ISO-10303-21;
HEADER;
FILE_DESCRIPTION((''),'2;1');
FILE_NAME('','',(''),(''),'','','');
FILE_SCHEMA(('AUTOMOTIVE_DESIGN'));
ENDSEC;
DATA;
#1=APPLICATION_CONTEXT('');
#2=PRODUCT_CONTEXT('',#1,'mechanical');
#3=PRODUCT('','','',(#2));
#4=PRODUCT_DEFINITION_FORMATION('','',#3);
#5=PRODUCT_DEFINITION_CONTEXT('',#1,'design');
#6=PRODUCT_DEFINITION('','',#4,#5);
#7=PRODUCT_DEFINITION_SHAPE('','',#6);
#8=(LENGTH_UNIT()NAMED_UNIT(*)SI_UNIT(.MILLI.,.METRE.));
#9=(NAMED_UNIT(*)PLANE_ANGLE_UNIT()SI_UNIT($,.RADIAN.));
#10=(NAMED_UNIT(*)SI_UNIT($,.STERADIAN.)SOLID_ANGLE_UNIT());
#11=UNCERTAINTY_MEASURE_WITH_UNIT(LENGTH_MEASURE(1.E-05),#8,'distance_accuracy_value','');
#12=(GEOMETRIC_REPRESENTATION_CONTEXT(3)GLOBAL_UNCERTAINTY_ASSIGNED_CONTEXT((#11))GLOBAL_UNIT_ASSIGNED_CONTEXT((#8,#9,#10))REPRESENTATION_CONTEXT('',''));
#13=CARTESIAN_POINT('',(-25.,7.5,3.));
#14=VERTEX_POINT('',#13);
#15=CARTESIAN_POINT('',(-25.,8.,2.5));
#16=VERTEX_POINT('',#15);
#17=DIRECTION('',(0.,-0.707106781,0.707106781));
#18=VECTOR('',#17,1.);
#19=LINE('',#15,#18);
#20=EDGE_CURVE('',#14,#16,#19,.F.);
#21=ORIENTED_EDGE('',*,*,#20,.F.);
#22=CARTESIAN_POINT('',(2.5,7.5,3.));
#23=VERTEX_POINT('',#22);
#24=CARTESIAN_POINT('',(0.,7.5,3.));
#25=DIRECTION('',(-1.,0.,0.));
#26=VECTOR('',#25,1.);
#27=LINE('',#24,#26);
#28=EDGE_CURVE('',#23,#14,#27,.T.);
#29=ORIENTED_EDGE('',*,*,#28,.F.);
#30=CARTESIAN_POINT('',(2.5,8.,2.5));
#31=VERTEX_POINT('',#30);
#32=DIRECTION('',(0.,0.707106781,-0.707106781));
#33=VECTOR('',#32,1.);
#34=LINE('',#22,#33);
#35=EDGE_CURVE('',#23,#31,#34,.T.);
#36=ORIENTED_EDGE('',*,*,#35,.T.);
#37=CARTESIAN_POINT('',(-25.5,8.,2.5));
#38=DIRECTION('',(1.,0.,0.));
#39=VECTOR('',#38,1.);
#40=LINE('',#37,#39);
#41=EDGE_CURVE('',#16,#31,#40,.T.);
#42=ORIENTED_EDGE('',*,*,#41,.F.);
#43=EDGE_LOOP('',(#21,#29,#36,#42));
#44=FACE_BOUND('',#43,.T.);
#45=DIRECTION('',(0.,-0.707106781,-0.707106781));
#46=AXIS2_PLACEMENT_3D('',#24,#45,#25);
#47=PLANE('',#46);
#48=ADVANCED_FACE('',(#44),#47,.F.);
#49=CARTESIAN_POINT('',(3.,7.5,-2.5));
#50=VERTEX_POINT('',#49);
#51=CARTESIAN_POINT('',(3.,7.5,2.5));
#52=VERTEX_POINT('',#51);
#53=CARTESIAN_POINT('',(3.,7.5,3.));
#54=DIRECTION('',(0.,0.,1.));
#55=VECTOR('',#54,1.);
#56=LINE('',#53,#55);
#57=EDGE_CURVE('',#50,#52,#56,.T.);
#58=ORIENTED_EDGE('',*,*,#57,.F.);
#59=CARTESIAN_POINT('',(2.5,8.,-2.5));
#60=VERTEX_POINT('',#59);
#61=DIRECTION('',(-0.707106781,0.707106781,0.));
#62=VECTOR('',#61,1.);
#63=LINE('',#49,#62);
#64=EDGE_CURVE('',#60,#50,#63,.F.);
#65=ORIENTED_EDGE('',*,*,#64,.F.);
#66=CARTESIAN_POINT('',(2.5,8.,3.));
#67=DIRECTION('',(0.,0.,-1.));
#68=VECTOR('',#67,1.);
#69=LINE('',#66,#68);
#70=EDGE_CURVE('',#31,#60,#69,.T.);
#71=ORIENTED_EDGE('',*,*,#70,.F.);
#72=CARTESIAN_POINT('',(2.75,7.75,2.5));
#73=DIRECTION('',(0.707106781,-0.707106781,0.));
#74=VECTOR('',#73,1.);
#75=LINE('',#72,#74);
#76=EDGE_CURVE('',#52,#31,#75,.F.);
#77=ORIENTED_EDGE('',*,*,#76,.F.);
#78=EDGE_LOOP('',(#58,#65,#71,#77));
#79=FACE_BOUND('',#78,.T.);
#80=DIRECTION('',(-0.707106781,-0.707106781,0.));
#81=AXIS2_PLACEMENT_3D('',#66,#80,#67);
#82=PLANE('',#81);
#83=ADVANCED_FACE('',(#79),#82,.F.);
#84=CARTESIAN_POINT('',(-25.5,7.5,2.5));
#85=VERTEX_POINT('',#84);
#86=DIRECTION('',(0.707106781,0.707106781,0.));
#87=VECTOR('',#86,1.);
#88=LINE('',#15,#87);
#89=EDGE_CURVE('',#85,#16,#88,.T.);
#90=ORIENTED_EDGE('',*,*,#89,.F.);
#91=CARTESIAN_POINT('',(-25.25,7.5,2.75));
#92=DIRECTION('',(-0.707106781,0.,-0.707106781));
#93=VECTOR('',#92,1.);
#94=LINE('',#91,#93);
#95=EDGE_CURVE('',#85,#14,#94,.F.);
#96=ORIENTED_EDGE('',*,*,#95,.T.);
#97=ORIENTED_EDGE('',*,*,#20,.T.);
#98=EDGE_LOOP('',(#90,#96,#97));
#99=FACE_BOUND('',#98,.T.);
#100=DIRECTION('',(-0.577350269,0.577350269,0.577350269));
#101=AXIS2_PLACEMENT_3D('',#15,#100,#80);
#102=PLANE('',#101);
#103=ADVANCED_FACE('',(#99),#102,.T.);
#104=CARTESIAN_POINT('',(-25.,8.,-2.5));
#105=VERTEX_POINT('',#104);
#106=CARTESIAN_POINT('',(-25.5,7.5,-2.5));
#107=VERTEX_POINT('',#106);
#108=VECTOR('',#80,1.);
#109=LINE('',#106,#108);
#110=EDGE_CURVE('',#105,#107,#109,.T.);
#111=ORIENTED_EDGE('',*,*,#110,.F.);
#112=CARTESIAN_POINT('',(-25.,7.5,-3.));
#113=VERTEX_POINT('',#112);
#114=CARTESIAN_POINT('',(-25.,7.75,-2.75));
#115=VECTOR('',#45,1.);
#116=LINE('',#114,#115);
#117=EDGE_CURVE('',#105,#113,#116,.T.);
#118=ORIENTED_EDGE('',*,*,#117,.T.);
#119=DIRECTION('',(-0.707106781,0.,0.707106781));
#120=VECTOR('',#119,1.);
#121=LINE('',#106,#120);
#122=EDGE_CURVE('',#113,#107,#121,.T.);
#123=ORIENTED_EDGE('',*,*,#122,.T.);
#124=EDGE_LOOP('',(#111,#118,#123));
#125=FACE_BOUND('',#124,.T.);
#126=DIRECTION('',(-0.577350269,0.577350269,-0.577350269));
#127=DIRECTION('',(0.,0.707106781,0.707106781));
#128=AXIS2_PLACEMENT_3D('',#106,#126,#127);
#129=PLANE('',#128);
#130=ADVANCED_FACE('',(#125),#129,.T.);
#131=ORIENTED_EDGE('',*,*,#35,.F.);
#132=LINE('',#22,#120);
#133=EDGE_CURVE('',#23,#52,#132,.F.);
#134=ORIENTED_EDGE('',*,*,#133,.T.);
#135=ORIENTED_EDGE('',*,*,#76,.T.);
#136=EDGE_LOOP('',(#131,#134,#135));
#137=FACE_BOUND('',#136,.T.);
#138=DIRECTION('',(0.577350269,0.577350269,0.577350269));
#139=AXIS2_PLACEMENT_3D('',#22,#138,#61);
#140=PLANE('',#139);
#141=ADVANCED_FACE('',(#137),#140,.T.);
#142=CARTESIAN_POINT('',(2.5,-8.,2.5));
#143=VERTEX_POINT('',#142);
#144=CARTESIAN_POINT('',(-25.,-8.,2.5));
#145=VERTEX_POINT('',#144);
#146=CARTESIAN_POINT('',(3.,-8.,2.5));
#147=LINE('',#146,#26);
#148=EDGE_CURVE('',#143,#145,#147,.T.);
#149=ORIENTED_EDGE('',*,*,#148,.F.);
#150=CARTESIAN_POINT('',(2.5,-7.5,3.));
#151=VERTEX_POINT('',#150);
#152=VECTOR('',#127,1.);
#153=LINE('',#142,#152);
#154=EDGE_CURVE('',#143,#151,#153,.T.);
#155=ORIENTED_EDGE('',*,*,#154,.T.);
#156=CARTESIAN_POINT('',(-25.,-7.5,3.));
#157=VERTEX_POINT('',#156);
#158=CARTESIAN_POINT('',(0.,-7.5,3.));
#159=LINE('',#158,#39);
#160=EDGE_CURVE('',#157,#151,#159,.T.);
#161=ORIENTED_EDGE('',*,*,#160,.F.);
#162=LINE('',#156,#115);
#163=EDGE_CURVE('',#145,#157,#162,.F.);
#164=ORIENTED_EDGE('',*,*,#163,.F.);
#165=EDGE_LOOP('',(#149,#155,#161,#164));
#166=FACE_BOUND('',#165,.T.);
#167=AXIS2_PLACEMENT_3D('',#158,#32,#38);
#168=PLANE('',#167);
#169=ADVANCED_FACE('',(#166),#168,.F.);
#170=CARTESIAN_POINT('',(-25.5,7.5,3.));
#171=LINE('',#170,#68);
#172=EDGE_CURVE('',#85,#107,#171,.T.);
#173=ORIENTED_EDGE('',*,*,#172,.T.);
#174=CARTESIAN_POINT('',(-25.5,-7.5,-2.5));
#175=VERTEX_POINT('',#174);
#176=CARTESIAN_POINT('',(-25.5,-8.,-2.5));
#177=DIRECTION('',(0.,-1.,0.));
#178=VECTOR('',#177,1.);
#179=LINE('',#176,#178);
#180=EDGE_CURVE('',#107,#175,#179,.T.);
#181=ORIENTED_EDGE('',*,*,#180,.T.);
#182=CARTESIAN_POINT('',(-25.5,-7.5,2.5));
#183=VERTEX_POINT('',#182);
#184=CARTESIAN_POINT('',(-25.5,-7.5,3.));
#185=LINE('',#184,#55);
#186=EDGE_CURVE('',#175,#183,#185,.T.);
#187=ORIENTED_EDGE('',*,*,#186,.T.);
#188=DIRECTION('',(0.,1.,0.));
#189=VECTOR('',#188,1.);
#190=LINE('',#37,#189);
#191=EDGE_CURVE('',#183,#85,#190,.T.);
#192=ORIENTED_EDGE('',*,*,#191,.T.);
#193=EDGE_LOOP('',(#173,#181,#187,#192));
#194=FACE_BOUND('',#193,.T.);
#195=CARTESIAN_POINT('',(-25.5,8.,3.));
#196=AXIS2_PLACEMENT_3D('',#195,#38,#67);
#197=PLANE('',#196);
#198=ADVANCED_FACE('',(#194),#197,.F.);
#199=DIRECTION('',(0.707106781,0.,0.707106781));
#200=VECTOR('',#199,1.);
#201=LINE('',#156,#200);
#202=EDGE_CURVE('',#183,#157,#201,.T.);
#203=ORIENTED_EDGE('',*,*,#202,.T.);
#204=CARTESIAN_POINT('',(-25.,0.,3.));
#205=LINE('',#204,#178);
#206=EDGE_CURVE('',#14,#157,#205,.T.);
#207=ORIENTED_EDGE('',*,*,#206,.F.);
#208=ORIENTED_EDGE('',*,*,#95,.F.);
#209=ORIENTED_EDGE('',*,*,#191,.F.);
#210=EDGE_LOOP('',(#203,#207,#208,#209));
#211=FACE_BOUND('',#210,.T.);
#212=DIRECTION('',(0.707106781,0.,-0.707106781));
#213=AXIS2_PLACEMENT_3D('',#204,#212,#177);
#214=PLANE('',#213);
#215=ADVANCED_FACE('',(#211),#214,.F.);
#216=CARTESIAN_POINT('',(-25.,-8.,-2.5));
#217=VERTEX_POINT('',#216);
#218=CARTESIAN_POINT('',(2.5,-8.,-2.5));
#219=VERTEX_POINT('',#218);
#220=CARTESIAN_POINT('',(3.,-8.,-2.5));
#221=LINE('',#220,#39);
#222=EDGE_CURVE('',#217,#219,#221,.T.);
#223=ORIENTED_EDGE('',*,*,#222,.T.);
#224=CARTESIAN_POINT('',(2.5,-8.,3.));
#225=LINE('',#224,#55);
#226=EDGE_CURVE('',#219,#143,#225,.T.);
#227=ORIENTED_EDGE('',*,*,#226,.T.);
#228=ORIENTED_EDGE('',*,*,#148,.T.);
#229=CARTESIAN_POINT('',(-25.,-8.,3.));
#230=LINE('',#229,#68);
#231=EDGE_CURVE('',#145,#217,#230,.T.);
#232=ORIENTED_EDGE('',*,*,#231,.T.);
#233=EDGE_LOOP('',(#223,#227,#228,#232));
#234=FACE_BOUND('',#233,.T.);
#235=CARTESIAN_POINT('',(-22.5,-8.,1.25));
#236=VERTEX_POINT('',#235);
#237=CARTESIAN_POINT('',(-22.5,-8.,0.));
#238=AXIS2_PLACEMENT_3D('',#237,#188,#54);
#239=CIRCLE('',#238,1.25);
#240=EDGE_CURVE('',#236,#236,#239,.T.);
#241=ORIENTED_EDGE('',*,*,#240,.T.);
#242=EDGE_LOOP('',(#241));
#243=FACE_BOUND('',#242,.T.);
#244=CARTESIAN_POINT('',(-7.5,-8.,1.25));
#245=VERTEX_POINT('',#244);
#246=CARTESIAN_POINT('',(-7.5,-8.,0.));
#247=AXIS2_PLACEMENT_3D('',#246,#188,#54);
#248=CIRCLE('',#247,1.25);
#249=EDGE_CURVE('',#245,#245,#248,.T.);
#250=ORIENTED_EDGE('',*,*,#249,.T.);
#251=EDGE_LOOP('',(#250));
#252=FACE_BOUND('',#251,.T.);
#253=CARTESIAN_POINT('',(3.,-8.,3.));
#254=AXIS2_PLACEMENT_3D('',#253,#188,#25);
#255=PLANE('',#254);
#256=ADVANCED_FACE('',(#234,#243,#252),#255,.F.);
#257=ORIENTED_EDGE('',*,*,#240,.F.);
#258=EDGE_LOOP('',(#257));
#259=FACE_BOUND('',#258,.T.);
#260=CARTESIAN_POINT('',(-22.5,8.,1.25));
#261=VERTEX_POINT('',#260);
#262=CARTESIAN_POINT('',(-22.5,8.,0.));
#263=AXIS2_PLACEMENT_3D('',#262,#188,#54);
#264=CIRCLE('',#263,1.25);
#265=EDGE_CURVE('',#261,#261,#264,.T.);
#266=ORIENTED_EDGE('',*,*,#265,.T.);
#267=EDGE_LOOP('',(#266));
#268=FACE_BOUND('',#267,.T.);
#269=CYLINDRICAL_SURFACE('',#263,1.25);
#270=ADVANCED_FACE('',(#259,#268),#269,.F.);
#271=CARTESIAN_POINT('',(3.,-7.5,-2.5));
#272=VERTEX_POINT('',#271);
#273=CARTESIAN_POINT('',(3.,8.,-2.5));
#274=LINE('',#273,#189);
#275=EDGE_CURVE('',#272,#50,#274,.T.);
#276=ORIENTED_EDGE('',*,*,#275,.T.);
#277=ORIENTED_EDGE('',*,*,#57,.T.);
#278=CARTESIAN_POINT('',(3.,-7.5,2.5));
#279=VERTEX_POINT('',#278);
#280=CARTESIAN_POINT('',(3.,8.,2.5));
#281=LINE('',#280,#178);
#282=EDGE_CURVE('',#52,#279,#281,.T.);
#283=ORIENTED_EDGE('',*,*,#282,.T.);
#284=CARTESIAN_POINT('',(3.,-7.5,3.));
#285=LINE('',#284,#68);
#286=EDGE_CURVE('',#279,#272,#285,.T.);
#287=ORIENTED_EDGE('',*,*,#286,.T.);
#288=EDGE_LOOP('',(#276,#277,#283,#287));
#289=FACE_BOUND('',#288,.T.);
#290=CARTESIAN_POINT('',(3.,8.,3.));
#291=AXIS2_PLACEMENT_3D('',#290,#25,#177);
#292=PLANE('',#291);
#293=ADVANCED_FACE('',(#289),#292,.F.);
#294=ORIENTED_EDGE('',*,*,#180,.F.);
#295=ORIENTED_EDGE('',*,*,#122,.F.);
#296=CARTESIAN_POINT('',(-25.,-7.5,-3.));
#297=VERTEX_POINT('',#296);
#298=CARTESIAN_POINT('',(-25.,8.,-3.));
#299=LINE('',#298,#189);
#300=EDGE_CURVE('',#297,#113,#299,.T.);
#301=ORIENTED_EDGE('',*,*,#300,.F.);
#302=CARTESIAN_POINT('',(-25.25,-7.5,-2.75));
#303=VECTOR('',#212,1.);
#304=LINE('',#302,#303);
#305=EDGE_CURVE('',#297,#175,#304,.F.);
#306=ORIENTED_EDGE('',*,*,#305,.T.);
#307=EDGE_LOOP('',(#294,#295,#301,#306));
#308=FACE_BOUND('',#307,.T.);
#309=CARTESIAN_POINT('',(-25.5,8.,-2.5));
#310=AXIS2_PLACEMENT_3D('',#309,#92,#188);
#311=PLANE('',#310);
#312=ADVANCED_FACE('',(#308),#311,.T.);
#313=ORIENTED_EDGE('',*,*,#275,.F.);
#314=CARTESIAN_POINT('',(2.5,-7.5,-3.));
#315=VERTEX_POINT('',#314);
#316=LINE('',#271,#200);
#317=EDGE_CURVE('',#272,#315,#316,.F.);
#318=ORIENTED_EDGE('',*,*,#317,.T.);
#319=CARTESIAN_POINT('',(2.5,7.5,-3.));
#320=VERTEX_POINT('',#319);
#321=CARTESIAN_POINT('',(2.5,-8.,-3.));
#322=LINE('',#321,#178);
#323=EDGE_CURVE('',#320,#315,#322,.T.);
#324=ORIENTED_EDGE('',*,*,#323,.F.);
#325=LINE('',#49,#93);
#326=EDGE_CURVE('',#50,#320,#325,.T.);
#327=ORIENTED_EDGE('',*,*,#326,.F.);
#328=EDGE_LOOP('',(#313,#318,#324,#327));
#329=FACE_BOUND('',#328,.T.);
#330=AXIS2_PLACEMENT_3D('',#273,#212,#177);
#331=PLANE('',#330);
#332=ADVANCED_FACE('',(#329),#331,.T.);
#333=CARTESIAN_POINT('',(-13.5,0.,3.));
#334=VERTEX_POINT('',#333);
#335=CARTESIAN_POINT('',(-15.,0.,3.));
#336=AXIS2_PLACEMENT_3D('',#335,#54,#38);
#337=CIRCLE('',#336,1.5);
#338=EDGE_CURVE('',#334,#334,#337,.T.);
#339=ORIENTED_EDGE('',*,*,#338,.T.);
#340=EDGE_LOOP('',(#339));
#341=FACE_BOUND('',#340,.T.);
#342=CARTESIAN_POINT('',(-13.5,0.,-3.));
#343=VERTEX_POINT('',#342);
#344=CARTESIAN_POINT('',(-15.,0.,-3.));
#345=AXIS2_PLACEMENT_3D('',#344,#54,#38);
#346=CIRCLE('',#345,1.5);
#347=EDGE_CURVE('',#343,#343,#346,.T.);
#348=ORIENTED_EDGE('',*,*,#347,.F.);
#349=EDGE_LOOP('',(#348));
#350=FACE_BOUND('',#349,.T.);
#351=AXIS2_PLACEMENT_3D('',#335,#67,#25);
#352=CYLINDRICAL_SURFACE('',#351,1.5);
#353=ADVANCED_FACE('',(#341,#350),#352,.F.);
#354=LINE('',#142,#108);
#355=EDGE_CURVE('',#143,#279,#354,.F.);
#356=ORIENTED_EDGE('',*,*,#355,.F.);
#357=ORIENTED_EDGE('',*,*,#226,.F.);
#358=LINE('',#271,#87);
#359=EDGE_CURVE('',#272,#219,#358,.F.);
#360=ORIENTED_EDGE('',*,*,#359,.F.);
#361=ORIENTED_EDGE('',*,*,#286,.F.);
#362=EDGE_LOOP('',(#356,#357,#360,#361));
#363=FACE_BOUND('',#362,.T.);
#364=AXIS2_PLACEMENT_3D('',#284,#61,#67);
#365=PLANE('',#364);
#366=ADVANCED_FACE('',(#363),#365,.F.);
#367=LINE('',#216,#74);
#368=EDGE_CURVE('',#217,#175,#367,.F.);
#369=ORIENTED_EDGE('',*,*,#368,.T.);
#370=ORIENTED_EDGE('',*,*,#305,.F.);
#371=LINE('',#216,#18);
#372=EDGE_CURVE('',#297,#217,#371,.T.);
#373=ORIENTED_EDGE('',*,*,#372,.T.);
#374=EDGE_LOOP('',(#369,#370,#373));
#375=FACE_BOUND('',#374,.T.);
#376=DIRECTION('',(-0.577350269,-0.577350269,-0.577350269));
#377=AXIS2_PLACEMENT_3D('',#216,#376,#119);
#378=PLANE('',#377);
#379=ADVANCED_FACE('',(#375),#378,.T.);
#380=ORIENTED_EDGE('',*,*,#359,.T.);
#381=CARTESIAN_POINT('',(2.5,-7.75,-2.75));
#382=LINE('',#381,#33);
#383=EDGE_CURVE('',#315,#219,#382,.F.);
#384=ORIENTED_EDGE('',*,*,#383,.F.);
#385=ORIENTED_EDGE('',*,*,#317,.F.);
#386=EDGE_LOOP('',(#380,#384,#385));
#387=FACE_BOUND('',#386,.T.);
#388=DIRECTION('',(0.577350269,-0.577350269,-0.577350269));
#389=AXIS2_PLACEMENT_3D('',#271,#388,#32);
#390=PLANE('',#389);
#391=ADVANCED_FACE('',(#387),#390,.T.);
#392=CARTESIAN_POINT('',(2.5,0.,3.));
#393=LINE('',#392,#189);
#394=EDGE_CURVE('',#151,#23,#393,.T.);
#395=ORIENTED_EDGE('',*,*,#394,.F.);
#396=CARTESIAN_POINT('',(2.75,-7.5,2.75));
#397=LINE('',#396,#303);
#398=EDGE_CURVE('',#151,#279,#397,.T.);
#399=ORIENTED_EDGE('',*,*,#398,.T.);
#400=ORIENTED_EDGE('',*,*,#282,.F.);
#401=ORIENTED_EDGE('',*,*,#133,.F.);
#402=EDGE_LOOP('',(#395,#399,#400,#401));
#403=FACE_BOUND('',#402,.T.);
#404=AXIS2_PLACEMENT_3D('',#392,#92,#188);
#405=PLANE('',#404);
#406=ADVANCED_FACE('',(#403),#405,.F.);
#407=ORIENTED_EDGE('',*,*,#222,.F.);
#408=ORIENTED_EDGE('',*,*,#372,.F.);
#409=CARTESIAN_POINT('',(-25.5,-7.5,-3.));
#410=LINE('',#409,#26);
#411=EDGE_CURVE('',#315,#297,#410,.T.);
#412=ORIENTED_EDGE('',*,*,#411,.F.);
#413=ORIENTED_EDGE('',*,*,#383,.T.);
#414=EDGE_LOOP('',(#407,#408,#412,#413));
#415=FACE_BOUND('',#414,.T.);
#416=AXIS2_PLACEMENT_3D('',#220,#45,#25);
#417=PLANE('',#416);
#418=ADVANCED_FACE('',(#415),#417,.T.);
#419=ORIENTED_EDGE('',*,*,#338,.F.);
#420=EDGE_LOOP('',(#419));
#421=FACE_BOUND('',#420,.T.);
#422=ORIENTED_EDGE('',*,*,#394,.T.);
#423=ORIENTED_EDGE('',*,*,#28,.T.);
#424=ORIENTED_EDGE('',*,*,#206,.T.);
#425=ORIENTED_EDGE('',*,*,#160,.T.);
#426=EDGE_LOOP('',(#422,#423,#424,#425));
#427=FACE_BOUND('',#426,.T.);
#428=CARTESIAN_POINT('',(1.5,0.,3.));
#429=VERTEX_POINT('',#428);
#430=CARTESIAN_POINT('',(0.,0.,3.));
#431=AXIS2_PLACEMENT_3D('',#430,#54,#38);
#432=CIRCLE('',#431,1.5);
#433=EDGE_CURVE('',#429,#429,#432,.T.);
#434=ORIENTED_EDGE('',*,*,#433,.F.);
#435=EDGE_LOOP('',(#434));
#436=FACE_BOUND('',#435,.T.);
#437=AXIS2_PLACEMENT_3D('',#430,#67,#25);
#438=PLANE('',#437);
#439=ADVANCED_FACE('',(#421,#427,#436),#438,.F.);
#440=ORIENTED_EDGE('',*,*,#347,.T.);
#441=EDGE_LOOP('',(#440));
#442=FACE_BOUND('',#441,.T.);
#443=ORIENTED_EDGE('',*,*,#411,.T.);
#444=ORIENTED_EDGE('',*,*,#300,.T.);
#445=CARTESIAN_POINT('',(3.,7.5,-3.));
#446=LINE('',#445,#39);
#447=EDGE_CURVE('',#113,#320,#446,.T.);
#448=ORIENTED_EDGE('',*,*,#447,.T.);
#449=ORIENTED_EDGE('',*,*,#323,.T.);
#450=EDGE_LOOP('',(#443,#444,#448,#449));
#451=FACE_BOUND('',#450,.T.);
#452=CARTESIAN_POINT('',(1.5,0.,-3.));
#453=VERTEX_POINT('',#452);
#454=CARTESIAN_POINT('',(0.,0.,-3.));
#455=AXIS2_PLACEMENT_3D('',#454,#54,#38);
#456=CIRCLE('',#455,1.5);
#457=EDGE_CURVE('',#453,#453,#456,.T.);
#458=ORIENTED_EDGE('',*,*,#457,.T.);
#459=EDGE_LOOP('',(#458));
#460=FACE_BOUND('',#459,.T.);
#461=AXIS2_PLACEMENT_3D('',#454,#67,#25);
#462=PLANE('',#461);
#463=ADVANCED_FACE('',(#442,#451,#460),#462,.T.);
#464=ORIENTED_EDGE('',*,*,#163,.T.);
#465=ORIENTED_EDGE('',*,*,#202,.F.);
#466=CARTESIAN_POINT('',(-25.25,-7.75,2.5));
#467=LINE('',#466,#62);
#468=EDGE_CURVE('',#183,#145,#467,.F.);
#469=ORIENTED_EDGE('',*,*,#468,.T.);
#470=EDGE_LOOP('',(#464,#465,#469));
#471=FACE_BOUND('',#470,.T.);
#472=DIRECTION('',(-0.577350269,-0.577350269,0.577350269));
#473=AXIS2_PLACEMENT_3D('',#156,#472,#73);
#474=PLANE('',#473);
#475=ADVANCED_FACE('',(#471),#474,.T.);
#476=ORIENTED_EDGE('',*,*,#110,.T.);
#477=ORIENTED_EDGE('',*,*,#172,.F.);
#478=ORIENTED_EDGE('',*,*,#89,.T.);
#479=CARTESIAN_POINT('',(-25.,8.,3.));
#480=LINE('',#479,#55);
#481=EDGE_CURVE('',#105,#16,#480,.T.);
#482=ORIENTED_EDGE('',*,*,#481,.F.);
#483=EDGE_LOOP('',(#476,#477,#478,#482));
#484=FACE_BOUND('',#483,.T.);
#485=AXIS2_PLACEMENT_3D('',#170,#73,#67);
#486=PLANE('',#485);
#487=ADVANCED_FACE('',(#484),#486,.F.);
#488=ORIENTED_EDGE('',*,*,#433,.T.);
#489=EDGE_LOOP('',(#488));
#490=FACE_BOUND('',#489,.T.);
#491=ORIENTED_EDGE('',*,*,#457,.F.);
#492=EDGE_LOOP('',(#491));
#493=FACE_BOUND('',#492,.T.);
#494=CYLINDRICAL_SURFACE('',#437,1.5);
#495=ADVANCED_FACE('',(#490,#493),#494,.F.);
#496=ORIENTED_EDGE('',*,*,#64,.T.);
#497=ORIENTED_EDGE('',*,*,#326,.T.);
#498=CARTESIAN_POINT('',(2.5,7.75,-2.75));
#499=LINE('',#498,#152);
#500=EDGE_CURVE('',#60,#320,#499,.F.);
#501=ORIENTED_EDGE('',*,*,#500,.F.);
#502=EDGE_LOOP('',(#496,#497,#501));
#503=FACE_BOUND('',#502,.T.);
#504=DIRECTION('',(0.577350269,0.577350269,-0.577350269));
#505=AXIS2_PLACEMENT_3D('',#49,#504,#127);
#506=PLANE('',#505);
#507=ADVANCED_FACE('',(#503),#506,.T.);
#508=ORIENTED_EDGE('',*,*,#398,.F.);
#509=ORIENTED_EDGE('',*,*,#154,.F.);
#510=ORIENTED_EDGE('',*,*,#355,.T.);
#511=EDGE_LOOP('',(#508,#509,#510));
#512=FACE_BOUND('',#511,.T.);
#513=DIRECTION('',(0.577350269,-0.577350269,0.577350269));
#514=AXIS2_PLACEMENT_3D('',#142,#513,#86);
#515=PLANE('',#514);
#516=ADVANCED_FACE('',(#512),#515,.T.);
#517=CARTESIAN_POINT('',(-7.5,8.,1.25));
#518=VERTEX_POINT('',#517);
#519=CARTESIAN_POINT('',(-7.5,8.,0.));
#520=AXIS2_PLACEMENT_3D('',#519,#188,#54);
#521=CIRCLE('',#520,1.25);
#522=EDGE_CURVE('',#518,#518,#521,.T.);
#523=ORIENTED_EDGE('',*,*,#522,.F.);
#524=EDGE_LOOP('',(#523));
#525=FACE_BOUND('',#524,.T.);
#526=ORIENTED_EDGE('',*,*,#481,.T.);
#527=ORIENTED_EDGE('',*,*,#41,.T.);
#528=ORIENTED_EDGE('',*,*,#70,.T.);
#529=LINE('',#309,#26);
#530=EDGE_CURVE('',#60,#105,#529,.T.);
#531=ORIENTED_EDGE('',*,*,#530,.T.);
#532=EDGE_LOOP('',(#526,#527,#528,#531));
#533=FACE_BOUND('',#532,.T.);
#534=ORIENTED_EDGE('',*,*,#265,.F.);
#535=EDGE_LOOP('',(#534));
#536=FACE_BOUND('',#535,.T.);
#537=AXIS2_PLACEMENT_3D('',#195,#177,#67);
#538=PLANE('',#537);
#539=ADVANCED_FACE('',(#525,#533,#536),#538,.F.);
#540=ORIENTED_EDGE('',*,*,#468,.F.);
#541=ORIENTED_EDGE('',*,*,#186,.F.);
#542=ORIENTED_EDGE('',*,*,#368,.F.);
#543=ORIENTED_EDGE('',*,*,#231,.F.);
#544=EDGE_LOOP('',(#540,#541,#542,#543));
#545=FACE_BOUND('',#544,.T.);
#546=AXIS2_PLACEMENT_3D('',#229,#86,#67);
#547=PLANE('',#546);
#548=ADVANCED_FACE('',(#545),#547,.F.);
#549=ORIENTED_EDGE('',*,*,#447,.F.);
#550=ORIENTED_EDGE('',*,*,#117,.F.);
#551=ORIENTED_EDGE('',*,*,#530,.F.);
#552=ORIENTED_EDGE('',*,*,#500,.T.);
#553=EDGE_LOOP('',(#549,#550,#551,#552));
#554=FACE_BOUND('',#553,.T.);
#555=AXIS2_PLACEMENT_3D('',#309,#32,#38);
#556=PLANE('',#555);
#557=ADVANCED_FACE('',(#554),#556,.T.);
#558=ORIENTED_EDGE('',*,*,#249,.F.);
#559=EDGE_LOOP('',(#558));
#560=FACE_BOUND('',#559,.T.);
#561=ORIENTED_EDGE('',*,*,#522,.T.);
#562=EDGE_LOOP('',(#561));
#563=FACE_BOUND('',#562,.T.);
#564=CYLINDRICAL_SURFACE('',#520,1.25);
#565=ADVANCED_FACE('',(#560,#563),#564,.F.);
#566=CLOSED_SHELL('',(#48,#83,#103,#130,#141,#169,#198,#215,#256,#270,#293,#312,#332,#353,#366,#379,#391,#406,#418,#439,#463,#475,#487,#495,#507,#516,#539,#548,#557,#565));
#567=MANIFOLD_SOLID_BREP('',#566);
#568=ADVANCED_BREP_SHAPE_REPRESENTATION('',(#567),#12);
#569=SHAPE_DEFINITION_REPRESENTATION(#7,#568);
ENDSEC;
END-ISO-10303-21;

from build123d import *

# Parameters (mm, degrees)
SKETCH_2_W         = 28.5
SKETCH_2_H         = 16
SKETCH_2_R         = 1.5
EXTRUDE_1_DEPTH    = 3
HOLE_WIZARD_M3_2_D = 2.5
CHAMFER_1_SIZE     = 0.5


with BuildPart() as part:
    # 草图2 → 凸台-拉伸1 (new body, symmetric)
    with BuildSketch(Plane.XY):
        with Locations((-11.25, 0)):
            Rectangle(SKETCH_2_W, SKETCH_2_H)
        with Locations((-15, 0)):
            Circle(SKETCH_2_R, mode=Mode.SUBTRACT)
        Circle(SKETCH_2_R, mode=Mode.SUBTRACT)
    extrude(amount=EXTRUDE_1_DEPTH, both=True)

    # M3 螺纹孔2 (through all)
    with Locations(Plane(origin=(0, 8, 0), x_dir=(1, 0, 0), z_dir=(0, 1, 0))):
        with Locations((-7.5, 0), (-22.5, 0)):
            Hole(HOLE_WIZARD_M3_2_D / 2)

    # 倒角1
    chamfer_1_edges = [part.edges().sort_by_distance(p)[0] for p in [
        (-11.25, -8, 3),
        (3, 0, 3),
        (-11.25, 8, 3),
        (3, 0, -3),
        (-11.25, -8, -3),
        (-25.5, 0, -3),
        (-11.25, 8, -3),
        (-25.5, 0, 3),
        (3, 8, 0),
        (3, -8, 0),
        (-25.5, -8, 0),
        (-25.5, 8, 0),
    ]]
    chamfer(chamfer_1_edges, length=CHAMFER_1_SIZE)


solid = part.part
